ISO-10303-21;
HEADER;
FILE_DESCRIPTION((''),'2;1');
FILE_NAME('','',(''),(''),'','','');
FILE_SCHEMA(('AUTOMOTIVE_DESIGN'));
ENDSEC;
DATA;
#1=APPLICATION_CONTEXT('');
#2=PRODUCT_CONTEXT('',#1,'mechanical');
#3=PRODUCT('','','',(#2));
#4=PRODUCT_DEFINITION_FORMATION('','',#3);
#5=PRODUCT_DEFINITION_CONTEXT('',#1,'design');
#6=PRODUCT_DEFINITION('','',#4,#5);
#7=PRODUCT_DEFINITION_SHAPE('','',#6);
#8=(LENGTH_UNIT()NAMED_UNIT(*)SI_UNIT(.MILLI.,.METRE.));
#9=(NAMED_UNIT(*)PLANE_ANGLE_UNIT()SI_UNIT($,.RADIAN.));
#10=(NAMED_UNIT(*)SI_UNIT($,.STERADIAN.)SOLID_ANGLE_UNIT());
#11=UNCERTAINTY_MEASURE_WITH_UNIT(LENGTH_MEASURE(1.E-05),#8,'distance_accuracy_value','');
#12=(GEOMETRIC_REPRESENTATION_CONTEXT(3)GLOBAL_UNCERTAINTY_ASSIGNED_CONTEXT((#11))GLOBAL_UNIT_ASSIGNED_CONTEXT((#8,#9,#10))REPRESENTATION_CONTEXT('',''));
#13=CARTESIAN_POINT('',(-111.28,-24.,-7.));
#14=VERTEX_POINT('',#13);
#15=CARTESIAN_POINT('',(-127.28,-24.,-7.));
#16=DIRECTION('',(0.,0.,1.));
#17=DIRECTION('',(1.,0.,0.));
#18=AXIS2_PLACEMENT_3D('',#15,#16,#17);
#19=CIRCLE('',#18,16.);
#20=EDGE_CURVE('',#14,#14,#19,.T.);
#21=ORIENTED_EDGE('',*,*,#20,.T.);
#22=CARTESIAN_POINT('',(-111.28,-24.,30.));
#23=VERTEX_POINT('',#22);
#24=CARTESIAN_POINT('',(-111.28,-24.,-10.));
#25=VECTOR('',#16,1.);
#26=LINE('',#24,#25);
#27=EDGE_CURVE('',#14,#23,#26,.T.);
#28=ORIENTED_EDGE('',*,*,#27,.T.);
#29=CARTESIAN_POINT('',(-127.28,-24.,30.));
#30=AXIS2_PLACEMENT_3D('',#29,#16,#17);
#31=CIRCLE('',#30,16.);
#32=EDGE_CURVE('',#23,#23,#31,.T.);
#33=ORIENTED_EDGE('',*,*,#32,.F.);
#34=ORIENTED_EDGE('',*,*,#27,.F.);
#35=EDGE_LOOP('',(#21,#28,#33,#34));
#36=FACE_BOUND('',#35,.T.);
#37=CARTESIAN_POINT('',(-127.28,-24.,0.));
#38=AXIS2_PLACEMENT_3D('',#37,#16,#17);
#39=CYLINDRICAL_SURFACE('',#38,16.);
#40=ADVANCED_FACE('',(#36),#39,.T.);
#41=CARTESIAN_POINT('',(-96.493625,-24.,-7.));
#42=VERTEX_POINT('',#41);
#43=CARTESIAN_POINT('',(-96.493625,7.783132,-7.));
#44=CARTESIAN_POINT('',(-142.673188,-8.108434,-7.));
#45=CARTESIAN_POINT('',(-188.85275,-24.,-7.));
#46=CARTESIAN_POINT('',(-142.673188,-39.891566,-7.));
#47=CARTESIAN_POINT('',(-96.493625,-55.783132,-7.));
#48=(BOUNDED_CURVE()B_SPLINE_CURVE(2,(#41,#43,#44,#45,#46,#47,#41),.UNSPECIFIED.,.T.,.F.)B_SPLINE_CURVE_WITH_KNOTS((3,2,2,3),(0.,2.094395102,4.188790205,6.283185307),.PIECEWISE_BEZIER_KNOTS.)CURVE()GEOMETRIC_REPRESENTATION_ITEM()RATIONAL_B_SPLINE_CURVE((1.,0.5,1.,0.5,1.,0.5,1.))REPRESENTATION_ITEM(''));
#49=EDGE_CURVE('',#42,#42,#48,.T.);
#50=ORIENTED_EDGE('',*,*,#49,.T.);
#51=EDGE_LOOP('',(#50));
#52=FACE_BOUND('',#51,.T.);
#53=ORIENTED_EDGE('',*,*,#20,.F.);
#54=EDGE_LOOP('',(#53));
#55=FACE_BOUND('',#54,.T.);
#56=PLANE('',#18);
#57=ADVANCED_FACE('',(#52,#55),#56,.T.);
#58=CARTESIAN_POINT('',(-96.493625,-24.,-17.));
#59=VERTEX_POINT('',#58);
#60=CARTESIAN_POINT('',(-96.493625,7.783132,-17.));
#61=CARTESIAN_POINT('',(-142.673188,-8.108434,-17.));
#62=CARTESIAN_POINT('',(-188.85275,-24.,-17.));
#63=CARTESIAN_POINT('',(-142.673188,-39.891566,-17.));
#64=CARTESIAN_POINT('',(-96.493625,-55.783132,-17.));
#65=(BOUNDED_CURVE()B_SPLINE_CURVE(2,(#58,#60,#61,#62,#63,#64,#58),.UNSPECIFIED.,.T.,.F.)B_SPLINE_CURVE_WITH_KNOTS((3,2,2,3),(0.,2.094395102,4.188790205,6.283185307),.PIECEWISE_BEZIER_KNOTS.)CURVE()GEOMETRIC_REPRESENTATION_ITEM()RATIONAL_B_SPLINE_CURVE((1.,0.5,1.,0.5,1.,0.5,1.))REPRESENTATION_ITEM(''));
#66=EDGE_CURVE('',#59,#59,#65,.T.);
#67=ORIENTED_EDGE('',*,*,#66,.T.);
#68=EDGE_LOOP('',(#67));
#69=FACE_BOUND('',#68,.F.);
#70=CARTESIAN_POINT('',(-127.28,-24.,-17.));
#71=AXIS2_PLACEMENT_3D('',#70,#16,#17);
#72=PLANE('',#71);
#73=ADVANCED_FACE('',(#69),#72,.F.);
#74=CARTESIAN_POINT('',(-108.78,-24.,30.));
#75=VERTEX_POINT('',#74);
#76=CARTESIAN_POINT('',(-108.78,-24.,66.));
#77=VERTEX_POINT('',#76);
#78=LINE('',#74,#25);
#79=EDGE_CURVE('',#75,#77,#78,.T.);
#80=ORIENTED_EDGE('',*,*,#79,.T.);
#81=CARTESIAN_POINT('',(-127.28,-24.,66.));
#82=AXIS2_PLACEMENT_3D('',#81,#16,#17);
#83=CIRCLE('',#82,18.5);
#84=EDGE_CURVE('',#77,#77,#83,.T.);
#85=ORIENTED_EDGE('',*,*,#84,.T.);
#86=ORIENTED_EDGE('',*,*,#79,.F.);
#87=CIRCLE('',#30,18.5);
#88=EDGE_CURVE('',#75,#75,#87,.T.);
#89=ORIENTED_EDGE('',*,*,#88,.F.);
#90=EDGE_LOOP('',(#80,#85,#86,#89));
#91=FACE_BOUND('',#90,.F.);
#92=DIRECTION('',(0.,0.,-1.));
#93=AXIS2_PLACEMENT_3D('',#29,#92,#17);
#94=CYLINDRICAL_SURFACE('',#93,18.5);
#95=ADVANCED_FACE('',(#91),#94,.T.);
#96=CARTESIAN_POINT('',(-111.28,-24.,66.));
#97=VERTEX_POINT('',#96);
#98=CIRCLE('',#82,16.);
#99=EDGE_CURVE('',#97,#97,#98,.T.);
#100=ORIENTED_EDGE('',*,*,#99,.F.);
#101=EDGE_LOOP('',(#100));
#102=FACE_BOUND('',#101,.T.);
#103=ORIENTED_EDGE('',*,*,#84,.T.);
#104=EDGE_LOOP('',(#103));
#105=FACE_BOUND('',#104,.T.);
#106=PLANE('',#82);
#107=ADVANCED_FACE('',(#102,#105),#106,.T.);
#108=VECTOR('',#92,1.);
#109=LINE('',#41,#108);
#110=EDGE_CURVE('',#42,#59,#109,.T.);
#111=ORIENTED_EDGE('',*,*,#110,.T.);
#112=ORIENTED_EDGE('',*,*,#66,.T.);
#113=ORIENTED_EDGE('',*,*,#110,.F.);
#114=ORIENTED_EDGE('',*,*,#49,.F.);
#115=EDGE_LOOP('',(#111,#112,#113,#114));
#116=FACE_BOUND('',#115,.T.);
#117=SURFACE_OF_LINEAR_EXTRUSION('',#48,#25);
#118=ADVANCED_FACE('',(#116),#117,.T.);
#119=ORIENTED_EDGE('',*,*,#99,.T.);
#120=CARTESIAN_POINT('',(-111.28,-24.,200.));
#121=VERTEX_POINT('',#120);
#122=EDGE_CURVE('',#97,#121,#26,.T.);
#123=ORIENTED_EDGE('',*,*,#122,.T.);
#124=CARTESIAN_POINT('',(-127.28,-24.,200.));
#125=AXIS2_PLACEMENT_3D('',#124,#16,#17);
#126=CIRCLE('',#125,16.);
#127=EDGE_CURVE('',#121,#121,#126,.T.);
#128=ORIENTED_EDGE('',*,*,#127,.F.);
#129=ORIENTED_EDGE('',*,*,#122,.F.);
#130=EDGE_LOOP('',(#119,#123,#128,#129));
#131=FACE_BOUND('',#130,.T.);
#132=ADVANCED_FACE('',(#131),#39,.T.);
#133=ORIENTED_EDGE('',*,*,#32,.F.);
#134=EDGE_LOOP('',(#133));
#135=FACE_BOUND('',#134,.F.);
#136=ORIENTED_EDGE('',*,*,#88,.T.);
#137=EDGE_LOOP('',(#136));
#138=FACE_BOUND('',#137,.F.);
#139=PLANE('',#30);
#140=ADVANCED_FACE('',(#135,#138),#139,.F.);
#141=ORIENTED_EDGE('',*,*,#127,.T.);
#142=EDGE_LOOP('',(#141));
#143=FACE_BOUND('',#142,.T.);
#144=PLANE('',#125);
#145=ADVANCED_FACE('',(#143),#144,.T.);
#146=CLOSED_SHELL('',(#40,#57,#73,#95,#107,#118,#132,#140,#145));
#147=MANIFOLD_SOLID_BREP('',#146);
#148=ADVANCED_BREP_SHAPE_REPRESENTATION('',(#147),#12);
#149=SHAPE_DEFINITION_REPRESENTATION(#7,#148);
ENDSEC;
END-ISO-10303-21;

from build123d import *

# Parameters (mm, degrees)
SKETCH021_R       = 16
PAD014_DEPTH      = 200
PAD014_DEPTH_BACK = 10
PAD015_DEPTH      = 10
SKETCH023_R       = 18.5
PAD016_DEPTH      = 36


with BuildPart() as part:
    # Sketch021 → Pad014 (new body, two sides)
    with BuildSketch(Plane.XY) as pad014_sk:
        Circle(SKETCH021_R)
    extrude(amount=PAD014_DEPTH)
    extrude(pad014_sk.sketch, amount=-PAD014_DEPTH_BACK)

    # Sketch022 → Pad015 (join)
    with BuildSketch(Plane.XY.offset(-7)):
        with BuildLine():
            add(Edge.make_bspline(
                [(30.7863752332, 0), (30.7863752332, 31.7831323189), (-15.3931876166, 15.8915661594), (-61.5727504664, 0), (-15.3931876166, -15.8915661594), (30.7863752332, -31.7831323189), (30.7863752332, 0)],
                knots=[0, 0, 0, 2.0943951024, 2.0943951024, 4.1887902048, 4.1887902048, 6.2831853072, 6.2831853072, 6.2831853072], degree=2, weights=[1, 0.5, 1, 0.5, 1, 0.5, 1]))
        make_face()
    extrude(amount=-PAD015_DEPTH)

    # Sketch023 → Pad016 (join)
    with BuildSketch(Plane.XY.offset(30)):
        Circle(SKETCH023_R)
    extrude(amount=PAD016_DEPTH)


with BuildPart() as part_1:
    # Body004 placement: moved
    add(part.part.moved(Location((-127.28, -24, 0))))


solid = part_1.part
